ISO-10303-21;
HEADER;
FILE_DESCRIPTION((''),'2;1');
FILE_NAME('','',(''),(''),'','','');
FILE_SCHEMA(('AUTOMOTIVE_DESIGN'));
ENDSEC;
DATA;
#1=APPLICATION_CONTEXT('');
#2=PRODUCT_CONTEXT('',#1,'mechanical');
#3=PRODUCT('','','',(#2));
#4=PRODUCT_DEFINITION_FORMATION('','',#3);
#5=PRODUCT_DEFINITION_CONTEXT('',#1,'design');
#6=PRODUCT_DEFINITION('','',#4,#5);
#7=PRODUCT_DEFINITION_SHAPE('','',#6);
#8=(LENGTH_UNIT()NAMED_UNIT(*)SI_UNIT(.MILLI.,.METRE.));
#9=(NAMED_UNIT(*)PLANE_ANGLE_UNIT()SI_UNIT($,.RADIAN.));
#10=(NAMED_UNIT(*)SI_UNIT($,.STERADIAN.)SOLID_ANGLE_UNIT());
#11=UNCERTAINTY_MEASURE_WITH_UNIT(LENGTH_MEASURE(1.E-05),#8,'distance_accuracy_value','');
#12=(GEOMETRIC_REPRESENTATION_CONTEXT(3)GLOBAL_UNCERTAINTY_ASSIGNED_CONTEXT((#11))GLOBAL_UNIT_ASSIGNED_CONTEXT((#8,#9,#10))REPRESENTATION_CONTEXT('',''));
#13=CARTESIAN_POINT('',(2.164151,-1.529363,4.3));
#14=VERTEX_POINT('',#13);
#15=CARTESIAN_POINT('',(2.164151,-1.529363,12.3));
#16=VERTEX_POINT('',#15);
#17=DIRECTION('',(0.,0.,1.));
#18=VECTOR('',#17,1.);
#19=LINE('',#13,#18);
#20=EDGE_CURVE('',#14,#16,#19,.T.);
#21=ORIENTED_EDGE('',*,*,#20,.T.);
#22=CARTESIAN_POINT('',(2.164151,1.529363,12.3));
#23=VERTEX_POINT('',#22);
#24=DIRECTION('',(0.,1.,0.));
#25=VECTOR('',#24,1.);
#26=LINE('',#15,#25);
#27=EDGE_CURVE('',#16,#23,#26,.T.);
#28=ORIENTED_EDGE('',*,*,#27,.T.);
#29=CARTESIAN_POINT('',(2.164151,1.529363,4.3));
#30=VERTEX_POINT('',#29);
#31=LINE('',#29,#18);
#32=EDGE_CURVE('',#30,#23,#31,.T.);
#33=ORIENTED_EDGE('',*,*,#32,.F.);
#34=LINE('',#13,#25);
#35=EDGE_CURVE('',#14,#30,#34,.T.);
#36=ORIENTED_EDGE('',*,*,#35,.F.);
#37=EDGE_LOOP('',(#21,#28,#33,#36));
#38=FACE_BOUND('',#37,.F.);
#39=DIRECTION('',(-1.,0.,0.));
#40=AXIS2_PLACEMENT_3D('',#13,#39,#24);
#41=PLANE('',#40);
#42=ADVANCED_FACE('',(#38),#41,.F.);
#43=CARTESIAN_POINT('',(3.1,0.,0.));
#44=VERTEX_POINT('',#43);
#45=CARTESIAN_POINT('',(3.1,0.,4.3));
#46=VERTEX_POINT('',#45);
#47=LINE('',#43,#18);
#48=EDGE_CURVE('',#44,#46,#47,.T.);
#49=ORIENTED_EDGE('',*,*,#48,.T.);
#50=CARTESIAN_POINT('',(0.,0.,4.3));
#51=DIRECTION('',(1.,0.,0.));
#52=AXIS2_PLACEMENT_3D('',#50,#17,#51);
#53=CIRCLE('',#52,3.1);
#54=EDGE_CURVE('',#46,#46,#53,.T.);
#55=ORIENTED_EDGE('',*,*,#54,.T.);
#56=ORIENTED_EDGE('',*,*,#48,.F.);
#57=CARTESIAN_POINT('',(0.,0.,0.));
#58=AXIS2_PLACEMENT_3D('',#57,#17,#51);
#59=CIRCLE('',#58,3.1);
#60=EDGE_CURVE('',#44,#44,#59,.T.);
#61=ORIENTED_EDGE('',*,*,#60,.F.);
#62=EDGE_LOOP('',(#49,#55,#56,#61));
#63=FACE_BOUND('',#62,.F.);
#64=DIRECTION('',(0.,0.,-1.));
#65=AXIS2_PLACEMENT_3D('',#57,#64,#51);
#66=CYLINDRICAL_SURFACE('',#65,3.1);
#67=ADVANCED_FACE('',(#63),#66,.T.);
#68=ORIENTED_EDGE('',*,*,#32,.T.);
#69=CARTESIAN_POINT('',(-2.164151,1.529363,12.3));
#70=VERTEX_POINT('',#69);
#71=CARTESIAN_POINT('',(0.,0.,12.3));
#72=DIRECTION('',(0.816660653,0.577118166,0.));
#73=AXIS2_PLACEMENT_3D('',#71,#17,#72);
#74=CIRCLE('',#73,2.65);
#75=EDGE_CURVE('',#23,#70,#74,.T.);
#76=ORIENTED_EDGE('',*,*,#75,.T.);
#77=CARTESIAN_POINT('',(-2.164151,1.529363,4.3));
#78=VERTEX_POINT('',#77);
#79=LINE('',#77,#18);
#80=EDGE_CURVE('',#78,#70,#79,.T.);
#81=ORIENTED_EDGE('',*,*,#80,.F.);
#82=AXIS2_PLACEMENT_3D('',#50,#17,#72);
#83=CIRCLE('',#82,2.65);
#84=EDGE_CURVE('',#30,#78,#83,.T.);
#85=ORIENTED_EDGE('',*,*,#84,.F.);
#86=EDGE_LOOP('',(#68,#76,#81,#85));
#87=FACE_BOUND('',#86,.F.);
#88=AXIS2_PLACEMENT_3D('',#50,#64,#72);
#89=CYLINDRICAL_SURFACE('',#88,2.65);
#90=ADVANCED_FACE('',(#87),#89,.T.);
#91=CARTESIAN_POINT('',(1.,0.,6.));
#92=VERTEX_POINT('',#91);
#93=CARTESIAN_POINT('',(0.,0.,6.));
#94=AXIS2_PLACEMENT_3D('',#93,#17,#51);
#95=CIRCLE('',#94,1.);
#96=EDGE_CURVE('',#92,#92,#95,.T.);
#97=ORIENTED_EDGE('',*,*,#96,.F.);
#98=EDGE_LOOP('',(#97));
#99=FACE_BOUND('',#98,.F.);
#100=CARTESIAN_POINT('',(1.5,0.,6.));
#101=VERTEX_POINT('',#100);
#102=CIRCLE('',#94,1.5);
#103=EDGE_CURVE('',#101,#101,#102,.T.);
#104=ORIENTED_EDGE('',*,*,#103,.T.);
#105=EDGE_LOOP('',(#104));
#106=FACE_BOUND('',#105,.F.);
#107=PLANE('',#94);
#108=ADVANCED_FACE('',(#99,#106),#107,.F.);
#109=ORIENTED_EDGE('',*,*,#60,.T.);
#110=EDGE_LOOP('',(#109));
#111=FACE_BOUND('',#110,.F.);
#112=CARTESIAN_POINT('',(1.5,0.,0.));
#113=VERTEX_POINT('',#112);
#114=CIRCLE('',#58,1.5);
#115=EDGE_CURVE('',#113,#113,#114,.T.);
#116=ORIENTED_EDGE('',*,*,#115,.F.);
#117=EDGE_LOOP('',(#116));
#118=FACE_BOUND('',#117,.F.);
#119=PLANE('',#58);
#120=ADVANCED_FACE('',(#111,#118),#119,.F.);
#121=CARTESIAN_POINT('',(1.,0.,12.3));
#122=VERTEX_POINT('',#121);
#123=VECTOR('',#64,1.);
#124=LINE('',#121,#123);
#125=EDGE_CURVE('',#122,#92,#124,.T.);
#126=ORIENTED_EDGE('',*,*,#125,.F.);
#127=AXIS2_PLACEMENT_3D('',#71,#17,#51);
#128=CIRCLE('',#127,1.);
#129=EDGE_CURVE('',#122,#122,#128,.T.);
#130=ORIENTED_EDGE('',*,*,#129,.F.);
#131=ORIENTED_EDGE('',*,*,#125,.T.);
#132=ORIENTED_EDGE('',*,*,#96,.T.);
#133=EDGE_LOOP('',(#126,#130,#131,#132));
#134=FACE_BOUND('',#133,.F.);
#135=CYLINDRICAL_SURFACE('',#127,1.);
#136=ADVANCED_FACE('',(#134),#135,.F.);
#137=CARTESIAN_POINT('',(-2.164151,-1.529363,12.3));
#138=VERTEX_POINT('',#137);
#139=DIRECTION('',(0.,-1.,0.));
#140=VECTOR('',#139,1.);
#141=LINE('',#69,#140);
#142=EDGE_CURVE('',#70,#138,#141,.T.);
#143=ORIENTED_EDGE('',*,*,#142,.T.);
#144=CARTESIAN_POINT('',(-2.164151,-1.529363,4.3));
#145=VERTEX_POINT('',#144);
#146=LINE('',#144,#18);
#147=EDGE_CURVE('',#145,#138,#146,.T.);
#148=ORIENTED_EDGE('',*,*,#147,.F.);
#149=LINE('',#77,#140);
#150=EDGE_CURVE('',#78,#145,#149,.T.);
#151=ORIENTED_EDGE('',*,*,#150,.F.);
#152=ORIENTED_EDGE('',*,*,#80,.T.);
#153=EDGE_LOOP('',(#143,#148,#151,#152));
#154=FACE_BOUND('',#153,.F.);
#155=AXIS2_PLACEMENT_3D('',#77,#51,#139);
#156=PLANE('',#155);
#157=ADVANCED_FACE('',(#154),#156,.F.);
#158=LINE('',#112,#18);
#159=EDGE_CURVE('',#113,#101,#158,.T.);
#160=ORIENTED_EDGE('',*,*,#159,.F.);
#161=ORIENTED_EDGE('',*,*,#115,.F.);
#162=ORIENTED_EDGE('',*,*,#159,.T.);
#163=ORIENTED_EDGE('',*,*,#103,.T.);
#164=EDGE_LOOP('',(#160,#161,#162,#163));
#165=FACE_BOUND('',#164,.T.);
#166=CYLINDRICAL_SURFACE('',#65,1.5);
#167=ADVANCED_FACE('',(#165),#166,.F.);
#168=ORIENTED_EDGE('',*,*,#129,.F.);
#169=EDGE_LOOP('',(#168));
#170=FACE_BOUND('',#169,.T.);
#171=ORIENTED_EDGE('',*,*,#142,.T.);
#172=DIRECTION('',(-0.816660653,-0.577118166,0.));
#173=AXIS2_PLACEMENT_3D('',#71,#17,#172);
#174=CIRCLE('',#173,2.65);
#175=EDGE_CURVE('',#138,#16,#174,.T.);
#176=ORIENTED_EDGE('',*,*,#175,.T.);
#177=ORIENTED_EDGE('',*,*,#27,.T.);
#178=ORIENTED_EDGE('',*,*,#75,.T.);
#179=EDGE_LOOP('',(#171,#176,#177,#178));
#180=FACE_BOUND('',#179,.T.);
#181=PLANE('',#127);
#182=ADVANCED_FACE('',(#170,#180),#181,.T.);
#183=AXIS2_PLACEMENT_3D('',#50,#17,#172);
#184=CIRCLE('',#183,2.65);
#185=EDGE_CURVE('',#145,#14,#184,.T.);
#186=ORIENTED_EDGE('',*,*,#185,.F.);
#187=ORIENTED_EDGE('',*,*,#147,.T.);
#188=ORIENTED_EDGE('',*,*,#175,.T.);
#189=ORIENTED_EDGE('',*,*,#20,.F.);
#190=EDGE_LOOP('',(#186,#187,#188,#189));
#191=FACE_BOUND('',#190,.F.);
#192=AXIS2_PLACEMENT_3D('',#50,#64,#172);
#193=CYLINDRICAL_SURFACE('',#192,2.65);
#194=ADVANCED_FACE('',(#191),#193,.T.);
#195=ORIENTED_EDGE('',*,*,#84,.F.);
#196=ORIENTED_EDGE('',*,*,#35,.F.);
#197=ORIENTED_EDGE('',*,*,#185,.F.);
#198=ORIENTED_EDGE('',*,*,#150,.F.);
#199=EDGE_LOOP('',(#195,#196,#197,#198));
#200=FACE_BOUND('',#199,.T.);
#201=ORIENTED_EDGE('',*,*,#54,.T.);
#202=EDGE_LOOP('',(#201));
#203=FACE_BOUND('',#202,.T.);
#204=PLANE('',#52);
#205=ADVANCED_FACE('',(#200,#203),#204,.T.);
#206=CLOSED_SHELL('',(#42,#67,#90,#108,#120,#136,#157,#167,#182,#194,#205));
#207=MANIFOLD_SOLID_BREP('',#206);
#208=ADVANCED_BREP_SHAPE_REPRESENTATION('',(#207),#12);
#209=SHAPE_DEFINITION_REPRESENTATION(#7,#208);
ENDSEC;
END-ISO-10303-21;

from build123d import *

# Parameters (mm, degrees)
F0_R     = 3.1
F0_R_2   = 1.5
F1_DEPTH = 4.3
F3_DEPTH = 8
F4_R     = 1
F5_DEPTH = 8
F6_DEPTH = 6


with BuildPart() as f1:
    # F0 (on Top) → F1 (new body)
    with BuildSketch(Plane.XY):
        Circle(F0_R)
        Circle(F0_R_2, mode=Mode.SUBTRACT)
        Circle(F0_R_2)
    extrude(amount=F1_DEPTH)

    # F2 (on face) → F3 (join)
    with BuildSketch(Plane.XY.offset(4.3)):
        with BuildLine():
            Line((2.164151, -1.529363), (2.164151, 1.529363))
            ThreePointArc((2.164151, 1.529363), (0, 2.65), (-2.164151, 1.529363))
            Line((-2.164151, 1.529363), (-2.164151, -1.529363))
            ThreePointArc((-2.164151, -1.529363), (0, -2.65), (2.164151, -1.529363))
        make_face()
    extrude(amount=F3_DEPTH)

    # F4 (on face) → F5 (cut)
    with BuildSketch(Plane.XY.offset(12.3)):
        Circle(F4_R)
    extrude(amount=-F5_DEPTH, mode=Mode.SUBTRACT)

    # F0 (on Top) → F6 (cut)
    with BuildSketch(Plane.XY):
        Circle(F0_R_2)
    extrude(amount=F6_DEPTH, mode=Mode.SUBTRACT)


solid = f1.part
